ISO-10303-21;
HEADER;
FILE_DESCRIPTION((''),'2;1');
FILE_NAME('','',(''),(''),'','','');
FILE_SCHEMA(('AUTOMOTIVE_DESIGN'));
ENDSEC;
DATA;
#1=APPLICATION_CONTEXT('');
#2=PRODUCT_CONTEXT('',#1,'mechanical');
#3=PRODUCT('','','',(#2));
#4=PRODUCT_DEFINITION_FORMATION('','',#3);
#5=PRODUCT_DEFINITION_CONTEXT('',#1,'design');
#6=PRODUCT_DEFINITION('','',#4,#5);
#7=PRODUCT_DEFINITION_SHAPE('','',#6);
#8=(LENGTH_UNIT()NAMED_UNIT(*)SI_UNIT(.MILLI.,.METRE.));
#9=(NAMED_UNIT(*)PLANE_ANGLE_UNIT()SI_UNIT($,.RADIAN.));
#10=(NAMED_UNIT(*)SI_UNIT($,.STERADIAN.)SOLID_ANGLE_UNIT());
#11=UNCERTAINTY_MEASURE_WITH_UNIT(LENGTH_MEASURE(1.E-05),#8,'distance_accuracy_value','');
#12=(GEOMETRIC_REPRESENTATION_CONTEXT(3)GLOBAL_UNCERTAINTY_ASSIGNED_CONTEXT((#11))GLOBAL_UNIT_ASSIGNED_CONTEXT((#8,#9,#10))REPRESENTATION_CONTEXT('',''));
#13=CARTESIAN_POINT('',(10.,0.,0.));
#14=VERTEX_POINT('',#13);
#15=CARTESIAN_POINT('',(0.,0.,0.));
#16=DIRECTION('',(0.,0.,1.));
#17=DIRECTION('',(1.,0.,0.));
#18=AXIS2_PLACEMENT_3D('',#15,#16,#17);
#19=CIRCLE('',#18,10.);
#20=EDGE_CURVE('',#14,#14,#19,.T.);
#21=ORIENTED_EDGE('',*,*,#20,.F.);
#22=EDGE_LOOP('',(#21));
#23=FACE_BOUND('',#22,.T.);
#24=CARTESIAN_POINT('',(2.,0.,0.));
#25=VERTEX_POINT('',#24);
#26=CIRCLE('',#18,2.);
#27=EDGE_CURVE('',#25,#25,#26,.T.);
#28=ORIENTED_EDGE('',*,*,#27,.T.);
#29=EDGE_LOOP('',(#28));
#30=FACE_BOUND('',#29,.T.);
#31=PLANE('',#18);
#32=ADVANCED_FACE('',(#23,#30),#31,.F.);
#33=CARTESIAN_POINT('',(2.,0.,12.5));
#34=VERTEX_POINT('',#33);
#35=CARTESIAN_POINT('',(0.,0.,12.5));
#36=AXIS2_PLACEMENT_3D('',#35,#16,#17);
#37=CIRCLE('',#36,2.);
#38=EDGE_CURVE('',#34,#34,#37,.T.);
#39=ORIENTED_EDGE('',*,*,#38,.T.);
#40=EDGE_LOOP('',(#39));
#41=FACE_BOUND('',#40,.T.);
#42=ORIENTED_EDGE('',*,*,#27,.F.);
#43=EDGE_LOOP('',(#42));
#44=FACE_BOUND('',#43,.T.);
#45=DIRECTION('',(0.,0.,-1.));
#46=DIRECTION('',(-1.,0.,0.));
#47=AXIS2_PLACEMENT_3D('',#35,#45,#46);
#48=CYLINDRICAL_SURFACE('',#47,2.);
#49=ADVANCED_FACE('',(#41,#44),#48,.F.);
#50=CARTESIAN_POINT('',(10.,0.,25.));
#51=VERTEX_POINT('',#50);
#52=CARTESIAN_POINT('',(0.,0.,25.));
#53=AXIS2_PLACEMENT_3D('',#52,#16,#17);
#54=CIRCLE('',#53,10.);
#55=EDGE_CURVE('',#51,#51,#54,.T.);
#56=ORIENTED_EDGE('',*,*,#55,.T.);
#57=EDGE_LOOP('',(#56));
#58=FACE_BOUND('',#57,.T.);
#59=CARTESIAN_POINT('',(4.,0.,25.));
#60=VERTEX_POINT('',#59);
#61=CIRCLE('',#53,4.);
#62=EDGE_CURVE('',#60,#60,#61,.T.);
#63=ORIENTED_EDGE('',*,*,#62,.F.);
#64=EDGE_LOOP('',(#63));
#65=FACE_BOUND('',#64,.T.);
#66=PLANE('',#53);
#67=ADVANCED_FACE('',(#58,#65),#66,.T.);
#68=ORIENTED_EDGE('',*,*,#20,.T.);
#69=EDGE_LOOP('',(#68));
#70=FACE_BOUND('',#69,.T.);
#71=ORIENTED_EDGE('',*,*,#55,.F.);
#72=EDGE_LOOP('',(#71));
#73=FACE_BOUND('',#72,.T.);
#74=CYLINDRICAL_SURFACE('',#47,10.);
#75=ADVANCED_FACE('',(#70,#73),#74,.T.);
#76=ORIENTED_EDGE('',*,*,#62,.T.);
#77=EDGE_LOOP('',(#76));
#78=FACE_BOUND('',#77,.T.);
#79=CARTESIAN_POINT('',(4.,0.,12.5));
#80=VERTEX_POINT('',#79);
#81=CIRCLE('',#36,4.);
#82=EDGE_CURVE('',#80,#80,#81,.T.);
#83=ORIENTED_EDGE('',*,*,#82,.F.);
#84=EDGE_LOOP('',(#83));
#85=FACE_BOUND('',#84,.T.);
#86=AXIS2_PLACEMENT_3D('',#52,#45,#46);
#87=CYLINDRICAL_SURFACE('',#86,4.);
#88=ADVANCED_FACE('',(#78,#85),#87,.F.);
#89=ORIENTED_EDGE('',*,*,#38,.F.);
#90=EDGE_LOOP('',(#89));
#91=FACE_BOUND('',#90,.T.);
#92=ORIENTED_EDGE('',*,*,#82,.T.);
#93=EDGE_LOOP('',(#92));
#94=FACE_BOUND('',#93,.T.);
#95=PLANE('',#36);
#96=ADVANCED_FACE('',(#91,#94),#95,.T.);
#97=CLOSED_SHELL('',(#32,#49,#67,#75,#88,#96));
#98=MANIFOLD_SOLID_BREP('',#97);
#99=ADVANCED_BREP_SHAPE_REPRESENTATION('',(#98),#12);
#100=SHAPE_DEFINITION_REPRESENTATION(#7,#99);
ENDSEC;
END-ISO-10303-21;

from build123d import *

# Parameters (mm, degrees)
SKETCH_1_R      = 10
SKETCH_1_R_2    = 2
EXTRUDE_1_DEPTH = 12.5
SKETCH_2_R      = 10
SKETCH_2_R_2    = 4
EXTRUDE_2_DEPTH = 12.5


with BuildPart() as part:
    # 草图1 → 凸台-拉伸1 (new body)
    with BuildSketch(Plane.XY):
        Circle(SKETCH_1_R)
        Circle(SKETCH_1_R_2, mode=Mode.SUBTRACT)
    extrude(amount=EXTRUDE_1_DEPTH)

    # 草图2 → 凸台-拉伸2 (add)
    with BuildSketch(Plane.XY.offset(12.5)):
        Circle(SKETCH_2_R)
        Circle(SKETCH_2_R_2, mode=Mode.SUBTRACT)
    extrude(amount=EXTRUDE_2_DEPTH)


solid = part.part
